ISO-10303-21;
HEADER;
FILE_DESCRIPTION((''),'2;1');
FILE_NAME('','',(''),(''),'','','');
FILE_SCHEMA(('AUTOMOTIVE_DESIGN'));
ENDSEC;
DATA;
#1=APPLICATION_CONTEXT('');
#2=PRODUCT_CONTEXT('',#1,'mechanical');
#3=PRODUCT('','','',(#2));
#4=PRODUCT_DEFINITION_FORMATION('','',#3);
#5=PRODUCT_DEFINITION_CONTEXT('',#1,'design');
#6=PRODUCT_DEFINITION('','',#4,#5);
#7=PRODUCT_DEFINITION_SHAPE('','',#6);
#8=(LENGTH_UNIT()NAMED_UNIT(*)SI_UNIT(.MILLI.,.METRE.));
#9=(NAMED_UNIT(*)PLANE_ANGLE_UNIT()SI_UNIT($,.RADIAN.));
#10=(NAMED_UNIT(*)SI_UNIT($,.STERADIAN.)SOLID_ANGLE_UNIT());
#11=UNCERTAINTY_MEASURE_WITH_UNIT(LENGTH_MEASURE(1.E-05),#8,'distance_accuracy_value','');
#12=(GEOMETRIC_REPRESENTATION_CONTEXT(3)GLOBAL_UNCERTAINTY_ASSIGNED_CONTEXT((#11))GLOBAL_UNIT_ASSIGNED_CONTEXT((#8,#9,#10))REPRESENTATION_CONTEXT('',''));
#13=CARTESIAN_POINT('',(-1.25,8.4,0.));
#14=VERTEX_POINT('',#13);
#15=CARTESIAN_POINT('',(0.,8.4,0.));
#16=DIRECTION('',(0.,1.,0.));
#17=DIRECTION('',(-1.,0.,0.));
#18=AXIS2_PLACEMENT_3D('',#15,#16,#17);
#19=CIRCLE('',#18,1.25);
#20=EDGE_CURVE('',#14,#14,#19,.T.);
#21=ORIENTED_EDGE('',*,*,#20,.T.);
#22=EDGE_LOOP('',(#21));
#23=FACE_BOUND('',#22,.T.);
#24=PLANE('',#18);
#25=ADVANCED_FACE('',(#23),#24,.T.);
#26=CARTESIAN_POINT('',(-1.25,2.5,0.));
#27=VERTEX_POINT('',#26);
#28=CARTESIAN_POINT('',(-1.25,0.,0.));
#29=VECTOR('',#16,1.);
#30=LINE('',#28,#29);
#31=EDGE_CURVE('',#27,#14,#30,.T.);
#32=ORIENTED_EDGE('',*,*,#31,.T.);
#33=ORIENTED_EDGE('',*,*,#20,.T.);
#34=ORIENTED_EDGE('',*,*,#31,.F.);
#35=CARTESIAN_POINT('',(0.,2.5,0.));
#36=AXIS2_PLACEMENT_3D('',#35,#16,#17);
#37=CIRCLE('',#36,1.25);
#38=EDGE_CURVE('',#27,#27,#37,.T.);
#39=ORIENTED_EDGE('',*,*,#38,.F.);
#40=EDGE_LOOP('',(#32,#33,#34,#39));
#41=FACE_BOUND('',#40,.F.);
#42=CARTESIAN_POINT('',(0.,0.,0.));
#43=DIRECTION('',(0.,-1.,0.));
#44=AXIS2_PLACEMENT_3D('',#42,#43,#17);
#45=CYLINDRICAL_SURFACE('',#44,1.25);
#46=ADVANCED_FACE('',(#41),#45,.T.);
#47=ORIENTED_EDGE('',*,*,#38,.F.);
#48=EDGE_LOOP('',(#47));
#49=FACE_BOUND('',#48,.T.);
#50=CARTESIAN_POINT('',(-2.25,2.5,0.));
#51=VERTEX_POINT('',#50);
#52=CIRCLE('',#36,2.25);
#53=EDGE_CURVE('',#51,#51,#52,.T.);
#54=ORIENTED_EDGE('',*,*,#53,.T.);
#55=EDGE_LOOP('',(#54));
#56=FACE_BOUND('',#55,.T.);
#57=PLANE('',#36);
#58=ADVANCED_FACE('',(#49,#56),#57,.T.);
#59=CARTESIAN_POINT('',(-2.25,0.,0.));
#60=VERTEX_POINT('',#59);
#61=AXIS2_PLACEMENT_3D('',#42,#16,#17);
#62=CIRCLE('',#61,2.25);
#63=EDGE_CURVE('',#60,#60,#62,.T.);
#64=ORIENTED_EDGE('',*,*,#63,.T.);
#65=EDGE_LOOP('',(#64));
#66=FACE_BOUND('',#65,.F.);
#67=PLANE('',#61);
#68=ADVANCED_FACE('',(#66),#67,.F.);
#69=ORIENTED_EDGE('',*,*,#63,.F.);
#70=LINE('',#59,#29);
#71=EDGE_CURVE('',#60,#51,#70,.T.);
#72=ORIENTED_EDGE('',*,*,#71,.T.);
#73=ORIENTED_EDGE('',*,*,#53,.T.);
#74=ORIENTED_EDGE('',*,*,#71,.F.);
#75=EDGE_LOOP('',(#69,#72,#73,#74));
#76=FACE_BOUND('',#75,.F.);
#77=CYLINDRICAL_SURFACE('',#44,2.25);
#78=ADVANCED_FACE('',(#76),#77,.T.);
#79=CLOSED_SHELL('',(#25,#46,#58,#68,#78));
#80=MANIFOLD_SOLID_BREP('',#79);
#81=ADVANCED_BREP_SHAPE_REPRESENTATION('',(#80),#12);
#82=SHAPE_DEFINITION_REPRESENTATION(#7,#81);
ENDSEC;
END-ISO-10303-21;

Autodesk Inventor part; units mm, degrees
ref_plane "YZ Plane" through (0, 0, 0) normal (1, 0, 0) x (0, 1, 0)
ref_plane "XZ Plane" through (0, 0, 0) normal (0, 1, 0) x (-1, 0, 0)
ref_plane "XY Plane" through (0, 0, 0) normal (0, 0, 1) x (1, 0, 0)
sketch "Sketch1" plane through (0, 0, 0) normal (0, 1, 0) x (-1, 0, 0)
  circle A0 centre (0, 0) radius 1.25
  circle A1 centre (0, 0) radius 2.25
  dimension "d0" = 2.5
  dimension "d1" = 4.5
extrude "Extrusion1" add sketch "Sketch1" along normal blind 8.4 contours A0
extrude "Extrusion2" add sketch "Sketch1" along normal blind 2.5
properties part number "screw_for_motors"
